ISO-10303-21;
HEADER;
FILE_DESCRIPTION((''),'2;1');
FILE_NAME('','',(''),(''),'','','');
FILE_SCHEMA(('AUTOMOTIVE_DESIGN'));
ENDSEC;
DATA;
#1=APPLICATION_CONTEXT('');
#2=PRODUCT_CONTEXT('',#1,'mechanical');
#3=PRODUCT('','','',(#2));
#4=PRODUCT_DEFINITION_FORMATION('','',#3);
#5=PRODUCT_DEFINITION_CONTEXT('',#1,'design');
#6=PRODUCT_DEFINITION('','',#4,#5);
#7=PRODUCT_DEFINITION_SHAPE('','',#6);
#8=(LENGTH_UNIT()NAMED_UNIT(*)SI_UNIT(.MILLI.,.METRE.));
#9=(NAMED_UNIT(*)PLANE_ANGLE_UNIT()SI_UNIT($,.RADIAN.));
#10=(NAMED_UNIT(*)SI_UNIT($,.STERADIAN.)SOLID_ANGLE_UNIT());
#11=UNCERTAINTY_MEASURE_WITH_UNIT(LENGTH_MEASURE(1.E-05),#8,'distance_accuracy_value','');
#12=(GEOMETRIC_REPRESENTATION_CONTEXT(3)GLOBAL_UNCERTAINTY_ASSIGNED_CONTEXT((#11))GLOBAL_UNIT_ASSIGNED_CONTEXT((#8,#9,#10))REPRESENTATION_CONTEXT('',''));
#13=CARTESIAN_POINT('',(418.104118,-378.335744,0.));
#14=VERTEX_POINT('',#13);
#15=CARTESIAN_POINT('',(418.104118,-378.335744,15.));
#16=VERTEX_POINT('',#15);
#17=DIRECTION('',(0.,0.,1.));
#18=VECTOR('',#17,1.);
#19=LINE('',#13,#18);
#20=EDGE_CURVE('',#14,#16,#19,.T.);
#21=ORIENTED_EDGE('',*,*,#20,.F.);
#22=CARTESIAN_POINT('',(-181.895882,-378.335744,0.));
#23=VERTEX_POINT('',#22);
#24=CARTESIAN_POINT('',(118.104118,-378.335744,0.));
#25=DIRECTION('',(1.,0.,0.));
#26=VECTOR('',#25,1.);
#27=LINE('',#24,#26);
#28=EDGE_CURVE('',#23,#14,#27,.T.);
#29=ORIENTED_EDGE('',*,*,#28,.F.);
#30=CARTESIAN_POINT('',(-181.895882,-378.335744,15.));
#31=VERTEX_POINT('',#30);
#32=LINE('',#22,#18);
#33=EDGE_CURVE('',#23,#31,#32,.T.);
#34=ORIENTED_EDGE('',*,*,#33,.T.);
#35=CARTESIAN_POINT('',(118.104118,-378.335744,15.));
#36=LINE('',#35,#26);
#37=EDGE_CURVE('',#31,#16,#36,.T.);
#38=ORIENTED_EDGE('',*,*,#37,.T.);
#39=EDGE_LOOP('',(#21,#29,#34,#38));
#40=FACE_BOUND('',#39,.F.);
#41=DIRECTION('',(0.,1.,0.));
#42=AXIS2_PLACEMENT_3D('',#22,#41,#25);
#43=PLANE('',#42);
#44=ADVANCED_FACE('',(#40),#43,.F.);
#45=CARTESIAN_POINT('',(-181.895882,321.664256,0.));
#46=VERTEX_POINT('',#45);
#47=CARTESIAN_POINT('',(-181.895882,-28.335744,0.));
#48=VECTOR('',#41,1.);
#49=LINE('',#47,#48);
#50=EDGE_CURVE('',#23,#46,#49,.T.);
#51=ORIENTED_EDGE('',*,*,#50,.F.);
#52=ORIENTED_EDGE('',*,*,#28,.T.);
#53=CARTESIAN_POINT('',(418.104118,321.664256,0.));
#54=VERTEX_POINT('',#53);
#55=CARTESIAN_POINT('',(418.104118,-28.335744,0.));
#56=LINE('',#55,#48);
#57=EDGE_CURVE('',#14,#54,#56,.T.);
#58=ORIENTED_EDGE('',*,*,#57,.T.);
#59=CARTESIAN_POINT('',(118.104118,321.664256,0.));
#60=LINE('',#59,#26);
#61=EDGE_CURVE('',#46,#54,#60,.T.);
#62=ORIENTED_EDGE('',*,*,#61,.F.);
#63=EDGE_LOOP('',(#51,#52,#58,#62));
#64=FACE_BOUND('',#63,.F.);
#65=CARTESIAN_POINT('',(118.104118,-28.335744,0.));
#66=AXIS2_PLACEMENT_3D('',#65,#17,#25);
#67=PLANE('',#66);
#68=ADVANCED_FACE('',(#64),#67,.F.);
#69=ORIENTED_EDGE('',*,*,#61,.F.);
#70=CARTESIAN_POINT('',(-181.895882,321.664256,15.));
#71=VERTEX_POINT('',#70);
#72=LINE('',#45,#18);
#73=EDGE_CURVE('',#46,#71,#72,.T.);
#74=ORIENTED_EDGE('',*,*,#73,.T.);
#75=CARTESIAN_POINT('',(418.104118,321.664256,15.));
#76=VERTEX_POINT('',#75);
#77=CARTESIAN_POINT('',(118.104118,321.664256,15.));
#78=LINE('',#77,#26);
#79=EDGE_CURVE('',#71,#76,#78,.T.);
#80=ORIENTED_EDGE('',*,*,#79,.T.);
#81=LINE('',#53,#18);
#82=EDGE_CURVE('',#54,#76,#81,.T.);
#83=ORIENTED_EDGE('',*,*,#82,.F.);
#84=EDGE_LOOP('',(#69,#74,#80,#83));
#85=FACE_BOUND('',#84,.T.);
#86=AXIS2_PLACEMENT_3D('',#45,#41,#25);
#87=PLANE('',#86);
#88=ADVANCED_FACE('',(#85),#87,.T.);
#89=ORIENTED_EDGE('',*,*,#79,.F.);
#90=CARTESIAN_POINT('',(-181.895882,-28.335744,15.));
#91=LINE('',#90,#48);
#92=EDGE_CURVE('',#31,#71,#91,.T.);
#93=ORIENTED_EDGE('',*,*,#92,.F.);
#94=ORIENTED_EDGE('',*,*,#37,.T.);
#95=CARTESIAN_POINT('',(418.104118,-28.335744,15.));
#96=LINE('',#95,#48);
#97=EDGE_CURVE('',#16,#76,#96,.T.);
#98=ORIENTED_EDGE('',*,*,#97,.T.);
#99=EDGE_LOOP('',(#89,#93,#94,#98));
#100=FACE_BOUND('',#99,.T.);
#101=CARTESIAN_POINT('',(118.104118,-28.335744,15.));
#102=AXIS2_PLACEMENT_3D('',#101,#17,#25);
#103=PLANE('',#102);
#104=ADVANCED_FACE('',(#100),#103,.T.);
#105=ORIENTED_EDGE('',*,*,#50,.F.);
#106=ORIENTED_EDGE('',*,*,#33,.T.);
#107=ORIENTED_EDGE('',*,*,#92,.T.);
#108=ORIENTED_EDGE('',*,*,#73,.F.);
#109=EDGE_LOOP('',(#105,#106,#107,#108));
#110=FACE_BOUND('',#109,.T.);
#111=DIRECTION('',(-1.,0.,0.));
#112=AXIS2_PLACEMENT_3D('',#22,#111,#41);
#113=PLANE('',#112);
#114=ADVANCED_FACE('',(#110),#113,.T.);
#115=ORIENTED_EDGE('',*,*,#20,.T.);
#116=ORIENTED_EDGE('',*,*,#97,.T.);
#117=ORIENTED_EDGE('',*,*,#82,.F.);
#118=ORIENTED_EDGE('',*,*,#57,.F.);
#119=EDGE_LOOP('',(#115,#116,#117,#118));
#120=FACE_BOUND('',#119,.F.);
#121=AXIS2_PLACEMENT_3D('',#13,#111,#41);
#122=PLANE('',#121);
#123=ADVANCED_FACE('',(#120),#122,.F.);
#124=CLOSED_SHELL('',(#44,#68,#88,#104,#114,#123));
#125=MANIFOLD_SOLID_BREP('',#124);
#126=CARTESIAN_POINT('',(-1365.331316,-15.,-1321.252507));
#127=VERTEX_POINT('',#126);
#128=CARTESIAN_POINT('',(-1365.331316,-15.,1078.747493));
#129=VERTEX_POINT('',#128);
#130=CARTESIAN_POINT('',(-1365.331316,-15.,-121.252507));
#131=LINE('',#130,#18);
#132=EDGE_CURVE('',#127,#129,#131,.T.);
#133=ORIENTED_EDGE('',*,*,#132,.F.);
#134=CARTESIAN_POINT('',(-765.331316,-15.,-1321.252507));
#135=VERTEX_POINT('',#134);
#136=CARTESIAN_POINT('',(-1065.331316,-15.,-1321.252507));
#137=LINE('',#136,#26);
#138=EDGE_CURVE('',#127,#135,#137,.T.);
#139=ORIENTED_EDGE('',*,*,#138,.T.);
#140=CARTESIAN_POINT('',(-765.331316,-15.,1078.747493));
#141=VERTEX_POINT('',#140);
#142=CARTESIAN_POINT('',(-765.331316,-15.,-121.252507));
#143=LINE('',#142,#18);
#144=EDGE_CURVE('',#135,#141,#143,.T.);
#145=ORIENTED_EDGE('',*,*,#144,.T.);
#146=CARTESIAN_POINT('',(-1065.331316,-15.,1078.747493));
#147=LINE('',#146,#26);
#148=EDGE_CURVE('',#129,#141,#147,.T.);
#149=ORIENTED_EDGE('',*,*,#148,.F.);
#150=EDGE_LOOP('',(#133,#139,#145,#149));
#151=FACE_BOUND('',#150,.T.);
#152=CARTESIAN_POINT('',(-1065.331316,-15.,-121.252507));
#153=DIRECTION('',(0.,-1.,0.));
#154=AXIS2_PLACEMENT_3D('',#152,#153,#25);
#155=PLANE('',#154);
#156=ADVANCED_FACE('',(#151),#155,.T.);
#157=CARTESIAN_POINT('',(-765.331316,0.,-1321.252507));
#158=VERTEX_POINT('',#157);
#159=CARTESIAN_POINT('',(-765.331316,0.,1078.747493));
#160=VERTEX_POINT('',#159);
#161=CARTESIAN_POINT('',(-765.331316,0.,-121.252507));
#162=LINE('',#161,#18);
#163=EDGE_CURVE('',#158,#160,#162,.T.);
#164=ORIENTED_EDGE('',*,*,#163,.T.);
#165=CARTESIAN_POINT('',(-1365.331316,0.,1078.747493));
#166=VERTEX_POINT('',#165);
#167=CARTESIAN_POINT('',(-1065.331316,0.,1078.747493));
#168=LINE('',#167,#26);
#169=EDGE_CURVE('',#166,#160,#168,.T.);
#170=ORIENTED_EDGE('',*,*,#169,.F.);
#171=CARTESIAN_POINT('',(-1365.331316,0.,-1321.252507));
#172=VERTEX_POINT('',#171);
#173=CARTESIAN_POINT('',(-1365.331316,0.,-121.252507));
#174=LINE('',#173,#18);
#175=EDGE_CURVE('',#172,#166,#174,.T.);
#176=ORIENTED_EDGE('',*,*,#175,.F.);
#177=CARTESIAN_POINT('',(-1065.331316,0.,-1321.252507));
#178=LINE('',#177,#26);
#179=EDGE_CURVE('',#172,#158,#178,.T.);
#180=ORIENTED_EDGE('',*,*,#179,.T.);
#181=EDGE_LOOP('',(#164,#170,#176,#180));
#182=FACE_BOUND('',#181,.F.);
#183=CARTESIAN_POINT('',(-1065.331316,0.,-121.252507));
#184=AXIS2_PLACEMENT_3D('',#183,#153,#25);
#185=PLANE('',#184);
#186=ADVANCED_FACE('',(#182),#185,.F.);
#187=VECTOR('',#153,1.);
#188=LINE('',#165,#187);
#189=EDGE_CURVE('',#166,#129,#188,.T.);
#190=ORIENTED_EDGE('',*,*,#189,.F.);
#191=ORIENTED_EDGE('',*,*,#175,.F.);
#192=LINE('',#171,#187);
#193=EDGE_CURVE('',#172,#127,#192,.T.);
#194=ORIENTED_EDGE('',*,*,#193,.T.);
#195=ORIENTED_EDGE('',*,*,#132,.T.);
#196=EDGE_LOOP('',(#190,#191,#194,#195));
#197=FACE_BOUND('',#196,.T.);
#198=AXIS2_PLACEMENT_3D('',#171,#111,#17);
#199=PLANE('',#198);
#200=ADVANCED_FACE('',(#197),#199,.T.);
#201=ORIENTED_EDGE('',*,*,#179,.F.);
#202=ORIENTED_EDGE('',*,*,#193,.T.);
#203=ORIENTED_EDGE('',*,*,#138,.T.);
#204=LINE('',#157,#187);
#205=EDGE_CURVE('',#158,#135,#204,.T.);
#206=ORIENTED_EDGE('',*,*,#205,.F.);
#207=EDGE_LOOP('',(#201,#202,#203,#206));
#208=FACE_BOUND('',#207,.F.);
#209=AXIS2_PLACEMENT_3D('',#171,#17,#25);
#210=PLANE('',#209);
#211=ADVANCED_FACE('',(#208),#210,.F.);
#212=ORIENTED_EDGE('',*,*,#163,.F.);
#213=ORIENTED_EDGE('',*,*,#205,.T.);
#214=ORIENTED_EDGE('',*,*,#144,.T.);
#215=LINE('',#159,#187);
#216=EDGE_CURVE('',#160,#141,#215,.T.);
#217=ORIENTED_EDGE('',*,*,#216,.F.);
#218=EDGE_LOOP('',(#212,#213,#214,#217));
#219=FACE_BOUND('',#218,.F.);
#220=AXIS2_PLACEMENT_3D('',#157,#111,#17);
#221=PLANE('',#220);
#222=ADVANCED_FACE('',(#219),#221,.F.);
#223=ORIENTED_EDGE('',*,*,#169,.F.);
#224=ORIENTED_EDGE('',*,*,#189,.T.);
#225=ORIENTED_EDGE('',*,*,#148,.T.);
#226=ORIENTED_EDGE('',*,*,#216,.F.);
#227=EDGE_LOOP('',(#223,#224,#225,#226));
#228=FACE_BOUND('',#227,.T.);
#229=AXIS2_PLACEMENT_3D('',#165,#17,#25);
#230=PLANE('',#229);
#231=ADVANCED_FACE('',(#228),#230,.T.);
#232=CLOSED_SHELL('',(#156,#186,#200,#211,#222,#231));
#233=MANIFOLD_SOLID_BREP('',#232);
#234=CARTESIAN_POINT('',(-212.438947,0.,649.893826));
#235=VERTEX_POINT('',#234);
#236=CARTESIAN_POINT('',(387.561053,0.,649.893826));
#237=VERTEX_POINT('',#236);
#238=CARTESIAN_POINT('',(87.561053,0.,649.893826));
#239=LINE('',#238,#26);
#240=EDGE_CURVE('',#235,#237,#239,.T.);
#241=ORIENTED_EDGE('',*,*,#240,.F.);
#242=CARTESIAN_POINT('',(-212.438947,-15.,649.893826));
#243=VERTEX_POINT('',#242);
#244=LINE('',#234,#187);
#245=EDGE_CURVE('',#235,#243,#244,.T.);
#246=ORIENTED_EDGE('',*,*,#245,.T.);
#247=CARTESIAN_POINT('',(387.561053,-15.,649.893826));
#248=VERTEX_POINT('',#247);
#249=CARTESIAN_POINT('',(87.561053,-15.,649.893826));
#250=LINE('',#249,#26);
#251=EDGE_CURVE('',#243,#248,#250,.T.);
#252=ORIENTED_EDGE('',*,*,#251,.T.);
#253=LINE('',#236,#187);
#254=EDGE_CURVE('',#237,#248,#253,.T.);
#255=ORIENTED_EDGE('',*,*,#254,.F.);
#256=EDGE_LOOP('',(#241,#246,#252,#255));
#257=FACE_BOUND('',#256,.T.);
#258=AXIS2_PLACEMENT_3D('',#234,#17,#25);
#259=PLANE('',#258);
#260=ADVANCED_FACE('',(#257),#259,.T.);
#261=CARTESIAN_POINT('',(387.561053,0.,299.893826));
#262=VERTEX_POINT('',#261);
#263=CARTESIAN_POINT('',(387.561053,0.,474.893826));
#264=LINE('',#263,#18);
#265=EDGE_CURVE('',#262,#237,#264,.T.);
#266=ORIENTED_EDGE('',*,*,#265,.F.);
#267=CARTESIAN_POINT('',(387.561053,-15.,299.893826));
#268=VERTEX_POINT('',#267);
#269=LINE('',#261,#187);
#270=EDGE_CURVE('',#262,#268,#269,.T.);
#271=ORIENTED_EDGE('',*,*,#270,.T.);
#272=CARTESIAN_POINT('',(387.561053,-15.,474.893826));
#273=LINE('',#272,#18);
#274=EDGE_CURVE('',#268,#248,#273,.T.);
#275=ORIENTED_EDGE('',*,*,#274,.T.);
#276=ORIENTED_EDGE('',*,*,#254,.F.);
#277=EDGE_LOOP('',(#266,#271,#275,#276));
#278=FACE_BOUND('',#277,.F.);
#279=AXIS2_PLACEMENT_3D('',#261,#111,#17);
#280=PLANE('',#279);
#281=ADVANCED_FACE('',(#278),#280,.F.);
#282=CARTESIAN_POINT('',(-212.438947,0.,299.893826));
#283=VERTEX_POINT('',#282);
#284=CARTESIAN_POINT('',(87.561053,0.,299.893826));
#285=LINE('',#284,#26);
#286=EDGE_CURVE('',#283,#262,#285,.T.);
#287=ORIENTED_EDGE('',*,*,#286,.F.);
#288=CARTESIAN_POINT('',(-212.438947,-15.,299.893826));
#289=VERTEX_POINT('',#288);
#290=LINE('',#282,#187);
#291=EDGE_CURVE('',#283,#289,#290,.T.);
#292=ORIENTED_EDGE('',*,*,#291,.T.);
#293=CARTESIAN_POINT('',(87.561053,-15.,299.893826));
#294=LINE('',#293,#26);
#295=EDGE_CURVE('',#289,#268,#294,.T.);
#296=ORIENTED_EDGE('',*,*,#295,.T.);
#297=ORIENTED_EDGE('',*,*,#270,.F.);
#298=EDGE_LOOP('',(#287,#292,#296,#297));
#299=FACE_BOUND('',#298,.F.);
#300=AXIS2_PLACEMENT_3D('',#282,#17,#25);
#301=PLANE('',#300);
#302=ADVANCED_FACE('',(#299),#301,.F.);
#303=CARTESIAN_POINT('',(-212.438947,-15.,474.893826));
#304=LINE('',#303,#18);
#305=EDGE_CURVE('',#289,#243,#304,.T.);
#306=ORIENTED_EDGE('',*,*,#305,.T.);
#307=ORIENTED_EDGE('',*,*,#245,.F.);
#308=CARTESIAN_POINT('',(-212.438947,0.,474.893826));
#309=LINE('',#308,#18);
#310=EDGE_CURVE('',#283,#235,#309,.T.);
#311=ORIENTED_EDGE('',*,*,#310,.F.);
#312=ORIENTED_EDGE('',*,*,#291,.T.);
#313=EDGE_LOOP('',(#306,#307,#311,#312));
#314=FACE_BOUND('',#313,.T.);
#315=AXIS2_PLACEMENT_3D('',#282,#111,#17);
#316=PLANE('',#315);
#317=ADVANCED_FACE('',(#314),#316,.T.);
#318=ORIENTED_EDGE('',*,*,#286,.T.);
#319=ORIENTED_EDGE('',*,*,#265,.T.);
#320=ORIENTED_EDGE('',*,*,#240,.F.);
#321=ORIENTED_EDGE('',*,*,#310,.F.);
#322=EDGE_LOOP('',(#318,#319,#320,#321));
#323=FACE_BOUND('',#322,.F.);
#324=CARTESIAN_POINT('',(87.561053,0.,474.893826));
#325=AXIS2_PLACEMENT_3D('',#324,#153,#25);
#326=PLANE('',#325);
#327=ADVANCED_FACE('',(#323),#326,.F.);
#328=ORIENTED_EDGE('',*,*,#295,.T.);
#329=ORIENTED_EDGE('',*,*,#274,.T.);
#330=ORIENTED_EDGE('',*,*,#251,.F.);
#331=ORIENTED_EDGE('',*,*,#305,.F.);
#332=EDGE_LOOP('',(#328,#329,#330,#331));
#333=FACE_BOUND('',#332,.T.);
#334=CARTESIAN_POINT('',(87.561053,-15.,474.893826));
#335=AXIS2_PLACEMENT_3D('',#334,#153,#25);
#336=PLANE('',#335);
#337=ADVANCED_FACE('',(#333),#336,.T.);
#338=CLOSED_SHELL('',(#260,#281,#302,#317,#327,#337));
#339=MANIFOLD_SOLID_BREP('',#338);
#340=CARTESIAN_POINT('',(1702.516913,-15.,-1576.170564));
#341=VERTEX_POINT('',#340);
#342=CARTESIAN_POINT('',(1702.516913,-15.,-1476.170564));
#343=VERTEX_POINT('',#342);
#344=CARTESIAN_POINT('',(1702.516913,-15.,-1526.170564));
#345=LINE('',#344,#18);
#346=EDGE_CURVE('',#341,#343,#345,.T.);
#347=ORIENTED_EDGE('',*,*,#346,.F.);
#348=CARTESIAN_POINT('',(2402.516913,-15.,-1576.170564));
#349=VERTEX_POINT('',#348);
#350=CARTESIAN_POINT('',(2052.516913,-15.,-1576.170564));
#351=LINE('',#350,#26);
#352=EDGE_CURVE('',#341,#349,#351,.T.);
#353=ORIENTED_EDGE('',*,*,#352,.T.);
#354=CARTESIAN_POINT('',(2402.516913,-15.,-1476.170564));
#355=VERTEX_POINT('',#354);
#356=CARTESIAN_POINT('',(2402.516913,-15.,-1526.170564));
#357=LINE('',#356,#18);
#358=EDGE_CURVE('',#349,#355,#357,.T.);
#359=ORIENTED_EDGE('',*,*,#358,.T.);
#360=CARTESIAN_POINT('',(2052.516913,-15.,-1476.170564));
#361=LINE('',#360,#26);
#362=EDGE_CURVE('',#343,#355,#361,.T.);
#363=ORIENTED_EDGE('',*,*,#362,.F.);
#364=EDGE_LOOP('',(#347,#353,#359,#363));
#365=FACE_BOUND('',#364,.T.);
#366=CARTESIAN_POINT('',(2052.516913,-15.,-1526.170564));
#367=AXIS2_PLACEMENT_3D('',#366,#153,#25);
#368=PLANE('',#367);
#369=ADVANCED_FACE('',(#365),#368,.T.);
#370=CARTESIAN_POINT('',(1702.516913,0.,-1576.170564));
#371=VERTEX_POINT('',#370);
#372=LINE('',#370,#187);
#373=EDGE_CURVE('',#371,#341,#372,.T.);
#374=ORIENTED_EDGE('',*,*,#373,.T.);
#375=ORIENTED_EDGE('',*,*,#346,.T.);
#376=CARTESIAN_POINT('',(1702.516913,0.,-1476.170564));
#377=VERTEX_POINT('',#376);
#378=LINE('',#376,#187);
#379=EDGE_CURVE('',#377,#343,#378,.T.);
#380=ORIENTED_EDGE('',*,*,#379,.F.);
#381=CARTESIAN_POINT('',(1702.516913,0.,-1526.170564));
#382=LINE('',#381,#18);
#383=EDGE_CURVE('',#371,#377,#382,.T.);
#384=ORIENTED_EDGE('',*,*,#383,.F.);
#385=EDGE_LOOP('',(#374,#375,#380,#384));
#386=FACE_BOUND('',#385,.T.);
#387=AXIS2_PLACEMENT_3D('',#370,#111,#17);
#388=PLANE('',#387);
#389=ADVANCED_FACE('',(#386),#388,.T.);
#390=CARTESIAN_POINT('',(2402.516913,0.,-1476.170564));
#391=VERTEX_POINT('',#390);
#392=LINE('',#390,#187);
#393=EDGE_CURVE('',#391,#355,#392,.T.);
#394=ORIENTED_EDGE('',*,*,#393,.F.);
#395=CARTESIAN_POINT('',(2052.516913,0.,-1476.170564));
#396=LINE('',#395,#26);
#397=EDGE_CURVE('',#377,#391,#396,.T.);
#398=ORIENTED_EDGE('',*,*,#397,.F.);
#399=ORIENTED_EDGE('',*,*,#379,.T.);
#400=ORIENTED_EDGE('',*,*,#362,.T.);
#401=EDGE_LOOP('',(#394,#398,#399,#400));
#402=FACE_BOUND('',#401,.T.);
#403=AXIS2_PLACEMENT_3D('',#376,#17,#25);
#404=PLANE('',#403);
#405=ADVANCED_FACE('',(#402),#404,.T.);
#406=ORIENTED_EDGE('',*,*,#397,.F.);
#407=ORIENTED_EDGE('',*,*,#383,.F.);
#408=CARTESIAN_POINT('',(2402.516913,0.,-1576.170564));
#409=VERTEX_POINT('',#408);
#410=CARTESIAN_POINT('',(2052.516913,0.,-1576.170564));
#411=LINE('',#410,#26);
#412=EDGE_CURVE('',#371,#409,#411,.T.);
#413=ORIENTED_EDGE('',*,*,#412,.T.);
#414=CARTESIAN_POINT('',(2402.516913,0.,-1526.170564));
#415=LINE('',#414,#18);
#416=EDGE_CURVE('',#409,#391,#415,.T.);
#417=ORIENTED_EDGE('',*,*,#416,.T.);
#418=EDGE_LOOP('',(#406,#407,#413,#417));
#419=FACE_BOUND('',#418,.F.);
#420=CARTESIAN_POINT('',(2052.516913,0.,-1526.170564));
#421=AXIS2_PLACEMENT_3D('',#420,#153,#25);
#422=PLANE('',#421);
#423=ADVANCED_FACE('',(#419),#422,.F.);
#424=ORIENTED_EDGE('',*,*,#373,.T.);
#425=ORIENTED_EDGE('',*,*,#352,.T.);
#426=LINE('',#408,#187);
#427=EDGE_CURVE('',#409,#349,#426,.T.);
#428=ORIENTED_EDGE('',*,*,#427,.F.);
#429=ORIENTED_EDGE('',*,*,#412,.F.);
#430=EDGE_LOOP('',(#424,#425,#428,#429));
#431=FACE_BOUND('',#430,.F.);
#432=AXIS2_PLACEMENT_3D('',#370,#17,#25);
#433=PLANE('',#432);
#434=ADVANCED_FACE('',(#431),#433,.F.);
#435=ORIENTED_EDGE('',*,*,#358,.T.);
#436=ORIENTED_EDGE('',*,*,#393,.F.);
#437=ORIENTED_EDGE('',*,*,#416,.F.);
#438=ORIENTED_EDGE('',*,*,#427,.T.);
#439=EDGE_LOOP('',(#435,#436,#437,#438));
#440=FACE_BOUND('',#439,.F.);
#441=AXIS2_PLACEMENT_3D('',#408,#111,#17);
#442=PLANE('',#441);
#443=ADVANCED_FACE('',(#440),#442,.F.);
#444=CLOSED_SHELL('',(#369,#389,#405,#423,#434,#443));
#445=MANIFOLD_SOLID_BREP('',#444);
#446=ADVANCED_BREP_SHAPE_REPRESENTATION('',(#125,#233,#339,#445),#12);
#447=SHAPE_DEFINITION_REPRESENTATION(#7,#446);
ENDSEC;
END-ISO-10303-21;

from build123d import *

# Parameters (mm, degrees)
F0_W     = 600
F0_H     = 2400
F1_DEPTH = 15
F2_W     = 600
F2_H     = 700
F3_DEPTH = 15
F4_W     = 700
F4_H     = 100
F5_DEPTH = 15
F6_W     = 600
F6_H     = 350
F7_DEPTH = 15


with BuildPart() as f1:
    # F0 (on Front) → F1 (new body)
    with BuildSketch(Plane.XZ):
        with Locations((-1065.331316, -121.252507)):
            Rectangle(F0_W, F0_H)
    extrude(amount=F1_DEPTH)


with BuildPart() as f3:
    # F2 (on Top) → F3 (new body)
    with BuildSketch(Plane.XY):
        with Locations((118.104118, -28.335744)):
            Rectangle(F2_W, F2_H)
    extrude(amount=F3_DEPTH)


with BuildPart() as f5:
    # F4 (on Front) → F5 (new body)
    with BuildSketch(Plane.XZ):
        with Locations((2052.516913, -1526.170564)):
            Rectangle(F4_W, F4_H)
    extrude(amount=F5_DEPTH)


with BuildPart() as f7:
    # F6 (on Front) → F7 (new body)
    with BuildSketch(Plane.XZ):
        with Locations((87.561053, 474.893826)):
            Rectangle(F6_W, F6_H)
    extrude(amount=F7_DEPTH)


solid = Compound([f1.part, f3.part, f5.part, f7.part])
